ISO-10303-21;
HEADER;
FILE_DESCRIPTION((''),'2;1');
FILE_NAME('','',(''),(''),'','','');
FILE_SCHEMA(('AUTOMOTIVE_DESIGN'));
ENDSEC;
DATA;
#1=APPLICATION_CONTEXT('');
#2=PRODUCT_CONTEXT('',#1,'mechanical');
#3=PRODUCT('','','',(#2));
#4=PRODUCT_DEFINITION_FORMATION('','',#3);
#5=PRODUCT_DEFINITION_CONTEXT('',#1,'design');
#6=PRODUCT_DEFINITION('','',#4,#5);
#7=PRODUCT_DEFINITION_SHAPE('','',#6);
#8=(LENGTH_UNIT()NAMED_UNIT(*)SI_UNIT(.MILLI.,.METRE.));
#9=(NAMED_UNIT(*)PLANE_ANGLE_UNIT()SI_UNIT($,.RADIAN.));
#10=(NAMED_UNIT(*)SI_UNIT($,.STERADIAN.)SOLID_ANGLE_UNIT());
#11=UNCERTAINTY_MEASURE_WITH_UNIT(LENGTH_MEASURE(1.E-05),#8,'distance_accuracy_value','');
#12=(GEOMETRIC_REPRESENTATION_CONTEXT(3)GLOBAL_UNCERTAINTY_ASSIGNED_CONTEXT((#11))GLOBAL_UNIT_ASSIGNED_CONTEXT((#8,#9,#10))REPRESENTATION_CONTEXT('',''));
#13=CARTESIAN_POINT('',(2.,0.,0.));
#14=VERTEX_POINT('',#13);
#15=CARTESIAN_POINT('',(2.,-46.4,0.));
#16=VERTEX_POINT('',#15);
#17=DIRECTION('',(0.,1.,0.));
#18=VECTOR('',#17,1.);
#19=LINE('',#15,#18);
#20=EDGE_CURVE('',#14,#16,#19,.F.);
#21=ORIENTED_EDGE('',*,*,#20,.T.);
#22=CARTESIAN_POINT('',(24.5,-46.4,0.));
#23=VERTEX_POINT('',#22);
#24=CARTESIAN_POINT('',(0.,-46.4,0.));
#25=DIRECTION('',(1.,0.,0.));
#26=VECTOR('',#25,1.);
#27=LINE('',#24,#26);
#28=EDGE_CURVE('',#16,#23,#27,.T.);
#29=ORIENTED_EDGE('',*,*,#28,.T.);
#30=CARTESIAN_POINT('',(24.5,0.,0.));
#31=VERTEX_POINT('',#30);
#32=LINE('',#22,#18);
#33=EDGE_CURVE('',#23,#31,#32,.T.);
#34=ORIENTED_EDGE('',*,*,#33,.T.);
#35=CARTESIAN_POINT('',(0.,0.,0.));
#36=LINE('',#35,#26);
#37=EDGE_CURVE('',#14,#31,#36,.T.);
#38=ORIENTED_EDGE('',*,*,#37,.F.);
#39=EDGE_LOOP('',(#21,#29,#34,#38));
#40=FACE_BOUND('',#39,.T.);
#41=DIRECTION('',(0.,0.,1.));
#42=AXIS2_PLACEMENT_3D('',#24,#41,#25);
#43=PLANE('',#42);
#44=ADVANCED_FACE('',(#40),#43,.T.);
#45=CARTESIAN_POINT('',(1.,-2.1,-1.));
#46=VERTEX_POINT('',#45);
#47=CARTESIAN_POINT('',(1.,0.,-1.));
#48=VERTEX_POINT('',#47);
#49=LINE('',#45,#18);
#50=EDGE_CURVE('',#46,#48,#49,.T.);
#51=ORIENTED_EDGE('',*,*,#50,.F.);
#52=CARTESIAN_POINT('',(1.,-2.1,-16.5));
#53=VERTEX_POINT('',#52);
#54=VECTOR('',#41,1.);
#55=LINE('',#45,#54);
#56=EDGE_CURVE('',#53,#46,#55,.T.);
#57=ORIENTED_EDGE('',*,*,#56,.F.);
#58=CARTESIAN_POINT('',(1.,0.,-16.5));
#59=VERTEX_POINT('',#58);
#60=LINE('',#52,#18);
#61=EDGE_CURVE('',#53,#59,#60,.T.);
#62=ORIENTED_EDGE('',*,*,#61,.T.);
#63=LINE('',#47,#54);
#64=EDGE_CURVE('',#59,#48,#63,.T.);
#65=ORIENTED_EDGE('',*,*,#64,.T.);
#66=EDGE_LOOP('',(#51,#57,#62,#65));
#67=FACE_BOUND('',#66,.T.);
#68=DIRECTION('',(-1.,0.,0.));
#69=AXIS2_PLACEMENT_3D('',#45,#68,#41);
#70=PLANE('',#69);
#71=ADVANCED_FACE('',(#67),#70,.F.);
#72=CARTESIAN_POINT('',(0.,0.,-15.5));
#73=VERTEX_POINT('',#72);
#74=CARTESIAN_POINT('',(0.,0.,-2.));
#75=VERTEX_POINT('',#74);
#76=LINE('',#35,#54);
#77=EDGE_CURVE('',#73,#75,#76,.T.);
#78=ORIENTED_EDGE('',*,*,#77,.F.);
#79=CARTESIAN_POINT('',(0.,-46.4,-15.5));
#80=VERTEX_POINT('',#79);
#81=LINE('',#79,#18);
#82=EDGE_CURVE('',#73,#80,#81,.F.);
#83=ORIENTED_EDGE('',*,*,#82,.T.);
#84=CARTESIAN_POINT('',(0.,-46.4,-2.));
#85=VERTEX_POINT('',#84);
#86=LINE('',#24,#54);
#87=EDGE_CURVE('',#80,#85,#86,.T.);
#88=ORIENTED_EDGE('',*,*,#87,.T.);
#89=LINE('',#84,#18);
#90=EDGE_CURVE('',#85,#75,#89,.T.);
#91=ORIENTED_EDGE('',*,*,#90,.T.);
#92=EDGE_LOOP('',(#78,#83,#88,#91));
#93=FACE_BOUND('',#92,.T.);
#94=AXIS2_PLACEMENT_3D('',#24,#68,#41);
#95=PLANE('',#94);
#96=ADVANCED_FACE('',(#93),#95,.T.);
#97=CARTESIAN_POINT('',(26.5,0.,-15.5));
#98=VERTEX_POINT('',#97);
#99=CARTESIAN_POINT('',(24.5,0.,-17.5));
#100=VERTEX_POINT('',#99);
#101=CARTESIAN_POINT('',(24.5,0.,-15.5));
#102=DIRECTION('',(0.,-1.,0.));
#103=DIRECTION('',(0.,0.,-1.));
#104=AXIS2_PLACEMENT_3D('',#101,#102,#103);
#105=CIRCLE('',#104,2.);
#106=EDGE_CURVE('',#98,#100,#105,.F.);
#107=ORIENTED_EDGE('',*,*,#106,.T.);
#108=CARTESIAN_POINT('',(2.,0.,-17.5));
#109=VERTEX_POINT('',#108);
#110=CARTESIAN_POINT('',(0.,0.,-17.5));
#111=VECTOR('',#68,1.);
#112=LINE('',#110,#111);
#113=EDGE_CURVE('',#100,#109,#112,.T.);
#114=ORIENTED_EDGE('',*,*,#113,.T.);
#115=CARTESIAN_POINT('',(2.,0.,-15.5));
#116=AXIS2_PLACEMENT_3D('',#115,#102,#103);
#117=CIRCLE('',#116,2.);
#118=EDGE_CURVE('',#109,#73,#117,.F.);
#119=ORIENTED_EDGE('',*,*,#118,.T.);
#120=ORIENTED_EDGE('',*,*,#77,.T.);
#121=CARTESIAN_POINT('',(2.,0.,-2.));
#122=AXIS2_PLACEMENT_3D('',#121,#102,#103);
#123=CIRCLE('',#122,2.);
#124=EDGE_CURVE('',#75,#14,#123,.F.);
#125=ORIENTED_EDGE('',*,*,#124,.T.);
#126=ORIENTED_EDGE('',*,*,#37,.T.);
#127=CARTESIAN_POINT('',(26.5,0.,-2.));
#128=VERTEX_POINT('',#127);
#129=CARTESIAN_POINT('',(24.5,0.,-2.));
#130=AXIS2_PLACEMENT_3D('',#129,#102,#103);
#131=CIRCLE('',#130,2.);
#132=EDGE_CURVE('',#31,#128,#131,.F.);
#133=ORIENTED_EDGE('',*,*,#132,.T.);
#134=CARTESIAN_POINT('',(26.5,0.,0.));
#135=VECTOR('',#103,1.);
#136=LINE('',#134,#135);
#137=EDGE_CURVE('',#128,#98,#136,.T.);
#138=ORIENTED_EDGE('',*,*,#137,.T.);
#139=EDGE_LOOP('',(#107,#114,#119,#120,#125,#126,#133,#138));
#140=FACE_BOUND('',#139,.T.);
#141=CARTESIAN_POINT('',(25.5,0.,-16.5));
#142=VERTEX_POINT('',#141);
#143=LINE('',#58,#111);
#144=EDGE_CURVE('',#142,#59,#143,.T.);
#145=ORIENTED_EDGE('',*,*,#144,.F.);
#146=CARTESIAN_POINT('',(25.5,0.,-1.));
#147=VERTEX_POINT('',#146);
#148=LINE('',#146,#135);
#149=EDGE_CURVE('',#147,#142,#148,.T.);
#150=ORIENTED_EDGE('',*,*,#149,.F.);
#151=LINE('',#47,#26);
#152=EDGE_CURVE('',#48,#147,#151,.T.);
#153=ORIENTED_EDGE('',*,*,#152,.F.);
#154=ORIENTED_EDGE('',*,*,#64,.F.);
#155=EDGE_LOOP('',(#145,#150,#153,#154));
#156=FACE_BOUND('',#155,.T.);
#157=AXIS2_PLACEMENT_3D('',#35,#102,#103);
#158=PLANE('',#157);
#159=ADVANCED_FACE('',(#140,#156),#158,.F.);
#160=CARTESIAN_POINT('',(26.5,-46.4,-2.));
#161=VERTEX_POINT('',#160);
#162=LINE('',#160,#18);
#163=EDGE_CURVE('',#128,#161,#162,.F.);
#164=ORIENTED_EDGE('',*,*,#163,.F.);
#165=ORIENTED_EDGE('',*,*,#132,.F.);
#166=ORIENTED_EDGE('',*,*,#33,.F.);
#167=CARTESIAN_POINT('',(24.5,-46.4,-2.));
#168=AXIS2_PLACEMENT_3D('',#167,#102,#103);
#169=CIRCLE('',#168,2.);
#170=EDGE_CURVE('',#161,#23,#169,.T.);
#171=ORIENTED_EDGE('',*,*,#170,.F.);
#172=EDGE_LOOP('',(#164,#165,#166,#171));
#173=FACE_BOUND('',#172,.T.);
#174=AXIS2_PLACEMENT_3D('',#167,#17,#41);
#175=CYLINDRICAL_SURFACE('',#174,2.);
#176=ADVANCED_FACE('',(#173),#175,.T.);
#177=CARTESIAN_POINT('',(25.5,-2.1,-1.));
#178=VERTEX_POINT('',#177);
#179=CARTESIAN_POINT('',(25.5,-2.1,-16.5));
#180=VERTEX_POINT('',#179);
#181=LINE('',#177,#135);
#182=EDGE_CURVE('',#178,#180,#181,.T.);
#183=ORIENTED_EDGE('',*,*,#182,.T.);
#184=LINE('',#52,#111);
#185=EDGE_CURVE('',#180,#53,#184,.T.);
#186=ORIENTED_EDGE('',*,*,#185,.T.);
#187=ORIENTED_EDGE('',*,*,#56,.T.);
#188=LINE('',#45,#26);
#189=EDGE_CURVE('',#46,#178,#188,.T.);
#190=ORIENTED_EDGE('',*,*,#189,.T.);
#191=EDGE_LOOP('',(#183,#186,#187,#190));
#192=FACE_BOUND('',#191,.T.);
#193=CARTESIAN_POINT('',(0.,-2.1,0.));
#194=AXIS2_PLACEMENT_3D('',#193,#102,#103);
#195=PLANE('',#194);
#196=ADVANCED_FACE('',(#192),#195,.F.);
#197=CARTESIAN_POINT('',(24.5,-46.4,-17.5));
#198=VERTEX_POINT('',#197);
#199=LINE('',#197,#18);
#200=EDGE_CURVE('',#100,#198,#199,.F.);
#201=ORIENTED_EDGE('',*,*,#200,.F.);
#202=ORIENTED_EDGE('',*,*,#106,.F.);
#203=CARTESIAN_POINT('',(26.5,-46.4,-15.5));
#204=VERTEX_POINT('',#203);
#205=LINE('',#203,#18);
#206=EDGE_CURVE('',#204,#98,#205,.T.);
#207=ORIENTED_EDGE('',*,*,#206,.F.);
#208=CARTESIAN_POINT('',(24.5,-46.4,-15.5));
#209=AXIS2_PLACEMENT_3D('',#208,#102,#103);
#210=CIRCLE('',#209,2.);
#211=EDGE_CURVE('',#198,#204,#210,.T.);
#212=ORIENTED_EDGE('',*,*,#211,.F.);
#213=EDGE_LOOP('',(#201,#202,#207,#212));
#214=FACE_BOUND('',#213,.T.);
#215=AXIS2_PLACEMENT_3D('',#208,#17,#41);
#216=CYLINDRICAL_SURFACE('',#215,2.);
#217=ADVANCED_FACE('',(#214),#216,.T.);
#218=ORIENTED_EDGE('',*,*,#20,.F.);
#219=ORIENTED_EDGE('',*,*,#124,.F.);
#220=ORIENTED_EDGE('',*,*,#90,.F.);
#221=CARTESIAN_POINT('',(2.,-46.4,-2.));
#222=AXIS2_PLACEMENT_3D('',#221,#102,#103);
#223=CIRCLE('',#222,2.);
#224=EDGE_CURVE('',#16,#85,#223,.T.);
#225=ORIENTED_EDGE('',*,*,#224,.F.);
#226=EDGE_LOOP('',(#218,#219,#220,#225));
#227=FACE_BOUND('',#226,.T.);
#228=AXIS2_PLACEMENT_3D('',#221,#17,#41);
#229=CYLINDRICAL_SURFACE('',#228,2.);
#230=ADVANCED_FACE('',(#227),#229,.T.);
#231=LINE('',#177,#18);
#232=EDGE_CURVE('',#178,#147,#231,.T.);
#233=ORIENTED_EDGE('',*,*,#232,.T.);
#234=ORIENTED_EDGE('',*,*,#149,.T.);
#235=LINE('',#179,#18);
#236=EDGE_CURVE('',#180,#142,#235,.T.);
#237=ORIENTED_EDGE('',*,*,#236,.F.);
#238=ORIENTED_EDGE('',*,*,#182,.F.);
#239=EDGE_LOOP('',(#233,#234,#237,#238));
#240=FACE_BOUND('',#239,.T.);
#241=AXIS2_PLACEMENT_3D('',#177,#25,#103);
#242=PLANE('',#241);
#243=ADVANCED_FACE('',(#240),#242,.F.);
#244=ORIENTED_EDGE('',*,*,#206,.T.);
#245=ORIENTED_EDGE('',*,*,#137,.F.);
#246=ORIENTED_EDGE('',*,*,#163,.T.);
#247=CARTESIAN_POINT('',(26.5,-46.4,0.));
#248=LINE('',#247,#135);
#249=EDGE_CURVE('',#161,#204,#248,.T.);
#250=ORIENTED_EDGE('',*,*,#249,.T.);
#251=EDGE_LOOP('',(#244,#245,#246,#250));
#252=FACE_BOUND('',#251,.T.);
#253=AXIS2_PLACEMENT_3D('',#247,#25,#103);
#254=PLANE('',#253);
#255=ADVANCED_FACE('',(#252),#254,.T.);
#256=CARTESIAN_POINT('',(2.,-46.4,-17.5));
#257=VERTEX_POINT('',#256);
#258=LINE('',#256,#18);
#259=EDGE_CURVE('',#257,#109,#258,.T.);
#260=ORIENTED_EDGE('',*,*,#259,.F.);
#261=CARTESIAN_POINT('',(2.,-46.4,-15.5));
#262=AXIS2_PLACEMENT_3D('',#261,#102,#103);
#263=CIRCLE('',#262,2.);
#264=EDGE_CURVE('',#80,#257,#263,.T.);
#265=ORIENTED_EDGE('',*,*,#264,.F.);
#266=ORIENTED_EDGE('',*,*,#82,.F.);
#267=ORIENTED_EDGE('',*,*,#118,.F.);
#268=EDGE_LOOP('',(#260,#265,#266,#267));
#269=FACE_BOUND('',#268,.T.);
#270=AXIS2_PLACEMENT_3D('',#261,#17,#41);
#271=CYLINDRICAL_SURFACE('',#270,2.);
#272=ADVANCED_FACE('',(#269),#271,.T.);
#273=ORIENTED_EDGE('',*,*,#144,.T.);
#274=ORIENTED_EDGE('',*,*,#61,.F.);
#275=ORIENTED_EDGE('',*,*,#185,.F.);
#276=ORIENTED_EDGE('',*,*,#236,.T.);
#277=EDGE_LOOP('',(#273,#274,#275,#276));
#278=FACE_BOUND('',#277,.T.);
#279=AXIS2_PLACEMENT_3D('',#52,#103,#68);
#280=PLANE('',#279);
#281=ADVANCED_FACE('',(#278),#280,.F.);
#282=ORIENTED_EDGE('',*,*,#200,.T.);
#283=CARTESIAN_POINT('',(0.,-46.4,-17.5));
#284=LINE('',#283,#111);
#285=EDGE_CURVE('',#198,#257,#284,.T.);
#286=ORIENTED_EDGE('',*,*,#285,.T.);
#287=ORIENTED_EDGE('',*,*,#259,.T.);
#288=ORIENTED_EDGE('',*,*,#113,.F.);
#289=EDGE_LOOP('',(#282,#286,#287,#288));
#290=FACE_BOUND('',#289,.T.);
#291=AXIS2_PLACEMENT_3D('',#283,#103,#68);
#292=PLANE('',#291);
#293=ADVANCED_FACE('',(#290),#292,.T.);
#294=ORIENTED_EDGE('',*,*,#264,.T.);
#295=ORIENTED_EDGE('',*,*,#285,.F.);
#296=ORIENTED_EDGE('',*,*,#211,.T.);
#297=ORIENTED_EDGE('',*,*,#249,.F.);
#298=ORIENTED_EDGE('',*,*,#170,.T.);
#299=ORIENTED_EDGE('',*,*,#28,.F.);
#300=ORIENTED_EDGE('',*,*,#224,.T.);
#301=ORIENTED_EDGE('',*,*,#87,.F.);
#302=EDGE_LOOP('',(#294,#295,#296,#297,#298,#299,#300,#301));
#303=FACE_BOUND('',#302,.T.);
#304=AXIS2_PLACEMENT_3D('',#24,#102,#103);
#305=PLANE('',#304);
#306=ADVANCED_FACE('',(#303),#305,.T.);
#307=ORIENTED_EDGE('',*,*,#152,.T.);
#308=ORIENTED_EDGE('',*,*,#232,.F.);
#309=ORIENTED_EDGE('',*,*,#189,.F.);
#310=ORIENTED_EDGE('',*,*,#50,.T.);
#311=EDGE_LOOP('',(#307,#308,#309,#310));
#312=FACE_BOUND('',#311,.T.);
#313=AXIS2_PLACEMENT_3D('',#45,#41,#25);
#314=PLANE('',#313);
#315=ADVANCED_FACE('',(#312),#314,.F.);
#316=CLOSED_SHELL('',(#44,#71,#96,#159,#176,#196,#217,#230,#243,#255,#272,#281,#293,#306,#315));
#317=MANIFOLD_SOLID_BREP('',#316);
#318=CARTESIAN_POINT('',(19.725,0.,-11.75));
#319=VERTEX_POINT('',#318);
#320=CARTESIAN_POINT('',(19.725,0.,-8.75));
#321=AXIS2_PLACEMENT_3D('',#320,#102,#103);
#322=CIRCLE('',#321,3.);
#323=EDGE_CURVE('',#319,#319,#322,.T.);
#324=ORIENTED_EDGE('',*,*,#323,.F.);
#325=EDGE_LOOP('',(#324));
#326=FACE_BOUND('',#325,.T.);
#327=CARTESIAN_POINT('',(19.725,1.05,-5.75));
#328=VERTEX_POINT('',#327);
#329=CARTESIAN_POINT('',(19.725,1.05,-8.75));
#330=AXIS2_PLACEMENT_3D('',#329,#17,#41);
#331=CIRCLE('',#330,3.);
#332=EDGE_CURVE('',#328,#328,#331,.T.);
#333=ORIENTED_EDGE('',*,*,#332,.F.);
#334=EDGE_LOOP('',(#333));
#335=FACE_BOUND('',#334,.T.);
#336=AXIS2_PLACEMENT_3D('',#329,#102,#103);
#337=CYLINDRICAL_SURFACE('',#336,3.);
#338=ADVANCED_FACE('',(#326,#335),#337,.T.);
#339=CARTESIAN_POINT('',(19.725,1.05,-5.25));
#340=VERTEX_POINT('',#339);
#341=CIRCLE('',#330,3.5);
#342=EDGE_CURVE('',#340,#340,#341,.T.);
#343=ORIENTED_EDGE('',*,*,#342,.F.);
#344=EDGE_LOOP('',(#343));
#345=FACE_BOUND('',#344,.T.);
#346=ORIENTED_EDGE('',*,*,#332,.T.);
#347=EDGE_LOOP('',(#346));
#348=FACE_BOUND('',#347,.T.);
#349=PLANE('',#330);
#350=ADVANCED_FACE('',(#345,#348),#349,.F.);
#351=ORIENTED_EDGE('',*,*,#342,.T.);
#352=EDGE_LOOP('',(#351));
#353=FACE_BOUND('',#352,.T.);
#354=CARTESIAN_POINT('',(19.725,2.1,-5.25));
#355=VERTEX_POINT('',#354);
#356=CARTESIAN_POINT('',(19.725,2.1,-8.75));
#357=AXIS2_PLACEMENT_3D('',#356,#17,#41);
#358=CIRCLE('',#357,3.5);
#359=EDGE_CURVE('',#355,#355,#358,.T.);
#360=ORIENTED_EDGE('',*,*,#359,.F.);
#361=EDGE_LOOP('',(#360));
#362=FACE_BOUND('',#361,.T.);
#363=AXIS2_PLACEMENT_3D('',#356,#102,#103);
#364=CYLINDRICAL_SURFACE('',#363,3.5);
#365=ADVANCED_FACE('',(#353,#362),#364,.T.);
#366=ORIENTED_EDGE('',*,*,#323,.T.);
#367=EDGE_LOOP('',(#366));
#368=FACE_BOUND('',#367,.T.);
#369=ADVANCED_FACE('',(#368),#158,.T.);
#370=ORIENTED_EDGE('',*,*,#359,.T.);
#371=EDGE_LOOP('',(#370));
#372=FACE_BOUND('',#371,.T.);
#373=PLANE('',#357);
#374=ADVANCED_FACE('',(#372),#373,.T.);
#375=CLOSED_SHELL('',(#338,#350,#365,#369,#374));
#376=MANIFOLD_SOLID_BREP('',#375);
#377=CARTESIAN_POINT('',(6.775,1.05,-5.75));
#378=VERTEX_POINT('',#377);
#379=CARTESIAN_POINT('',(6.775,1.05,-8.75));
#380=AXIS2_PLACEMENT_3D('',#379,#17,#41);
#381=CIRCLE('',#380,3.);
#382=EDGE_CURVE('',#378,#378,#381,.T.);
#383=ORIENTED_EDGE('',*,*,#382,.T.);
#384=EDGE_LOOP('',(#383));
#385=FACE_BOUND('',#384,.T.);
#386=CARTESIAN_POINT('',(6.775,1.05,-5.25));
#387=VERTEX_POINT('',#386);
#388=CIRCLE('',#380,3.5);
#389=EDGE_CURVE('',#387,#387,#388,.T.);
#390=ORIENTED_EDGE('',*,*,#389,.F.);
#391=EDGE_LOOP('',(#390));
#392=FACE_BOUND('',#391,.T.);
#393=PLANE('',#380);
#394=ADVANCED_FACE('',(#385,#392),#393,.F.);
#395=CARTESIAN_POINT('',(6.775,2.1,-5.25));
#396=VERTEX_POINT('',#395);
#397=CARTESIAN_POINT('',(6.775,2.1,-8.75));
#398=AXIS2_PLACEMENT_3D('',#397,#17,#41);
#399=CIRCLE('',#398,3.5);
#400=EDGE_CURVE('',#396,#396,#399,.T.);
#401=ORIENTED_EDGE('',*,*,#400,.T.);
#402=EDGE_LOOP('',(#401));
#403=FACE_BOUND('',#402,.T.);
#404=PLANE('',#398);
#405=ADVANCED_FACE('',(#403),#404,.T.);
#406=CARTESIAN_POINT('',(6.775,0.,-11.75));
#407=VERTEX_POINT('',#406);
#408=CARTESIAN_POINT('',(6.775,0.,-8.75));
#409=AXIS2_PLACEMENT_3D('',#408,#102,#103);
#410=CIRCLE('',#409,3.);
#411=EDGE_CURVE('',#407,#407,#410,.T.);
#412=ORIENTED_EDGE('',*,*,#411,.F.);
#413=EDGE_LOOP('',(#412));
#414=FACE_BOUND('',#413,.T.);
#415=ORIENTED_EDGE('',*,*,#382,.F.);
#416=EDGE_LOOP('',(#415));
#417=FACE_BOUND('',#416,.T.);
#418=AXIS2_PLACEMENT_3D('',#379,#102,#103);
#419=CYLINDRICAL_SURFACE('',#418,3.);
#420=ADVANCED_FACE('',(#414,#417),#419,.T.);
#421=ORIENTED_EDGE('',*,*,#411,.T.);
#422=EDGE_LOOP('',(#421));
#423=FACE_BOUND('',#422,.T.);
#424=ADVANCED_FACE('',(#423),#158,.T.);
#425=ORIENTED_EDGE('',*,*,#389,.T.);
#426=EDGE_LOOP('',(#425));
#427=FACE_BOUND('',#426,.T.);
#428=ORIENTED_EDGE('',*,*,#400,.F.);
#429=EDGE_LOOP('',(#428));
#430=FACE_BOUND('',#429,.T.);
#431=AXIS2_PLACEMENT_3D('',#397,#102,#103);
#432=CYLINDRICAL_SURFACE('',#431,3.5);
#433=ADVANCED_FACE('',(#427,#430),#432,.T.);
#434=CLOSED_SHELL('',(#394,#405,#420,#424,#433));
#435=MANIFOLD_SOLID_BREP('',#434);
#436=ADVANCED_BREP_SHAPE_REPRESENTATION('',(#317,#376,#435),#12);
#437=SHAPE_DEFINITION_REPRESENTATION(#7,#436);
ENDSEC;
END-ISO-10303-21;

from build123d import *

# Parameters (mm, degrees)
SKETCH2_W           = 26.5
SKETCH2_H           = 17.5
BOSS_EXTRUDE1_DEPTH = 46.4
SKETCH4_R           = 3
BOSS_EXTRUDE5_DEPTH = 1.05
SKETCH5_R           = 3.5
BOSS_EXTRUDE6_DEPTH = 1.05
SKETCH6_R           = 3.5
BOSS_EXTRUDE7_DEPTH = 1.05
SKETCH9_W           = 24.5
SKETCH9_H           = 15.5
CUT_EXTRUDE2_DEPTH  = 2.1
FILLET1_R           = 2
FILLET2_R           = 2
FILLET3_R           = 2
FILLET4_R           = 2


with BuildPart() as part:
    # Sketch2 → Boss-Extrude1 (new body)
    with BuildSketch(Plane(origin=(0, 0, 0), x_dir=(1, 0, 0), z_dir=(0, 1, 0))):
        with Locations((13.25, 8.75)):
            Rectangle(SKETCH2_W, SKETCH2_H)
    extrude(amount=-BOSS_EXTRUDE1_DEPTH)

    # Sketch4 → Boss-Extrude5 (add)
    with BuildSketch(Plane(origin=(0, 0, 0), x_dir=(1, 0, 0), z_dir=(0, 1, 0))):
        with Locations(Location((19.725, 8.75, 0), (0, 0, 90))):
            Circle(SKETCH4_R)
        with Locations(Location((6.775, 8.75, 0), (0, 0, 90))):
            Circle(SKETCH4_R)
    extrude(amount=BOSS_EXTRUDE5_DEPTH)

    # Sketch5 → Boss-Extrude6 (add)
    with BuildSketch(Plane(origin=(0, 1.05, 0), x_dir=(1, 0, 0), z_dir=(0, 1, 0))):
        with Locations(Location((6.775, 8.75, 0), (0, 0, 270))):
            Circle(SKETCH5_R)
    extrude(amount=BOSS_EXTRUDE6_DEPTH)

    # Sketch6 → Boss-Extrude7 (add)
    with BuildSketch(Plane(origin=(0, 1.05, 0), x_dir=(1, 0, 0), z_dir=(0, 1, 0))):
        with Locations(Location((19.725, 8.75, 0), (0, 0, 270))):
            Circle(SKETCH6_R)
    extrude(amount=BOSS_EXTRUDE7_DEPTH)

    # Sketch9 → Cut-Extrude2 (cut)
    with BuildSketch(Plane(origin=(0, 0, 0), x_dir=(1, 0, 0), z_dir=(0, 1, 0))):
        with Locations((13.25, 8.75)):
            Rectangle(SKETCH9_W, SKETCH9_H)
    extrude(amount=-CUT_EXTRUDE2_DEPTH, mode=Mode.SUBTRACT)


with BuildPart() as cut_extrude2_piece_1:
    # of the separate pieces the step leaves, piece 1, a body of its own (cut_extrude2_pieces)
    add(part.part.solids().sort_by_distance((0, 0, 0))[0])

    # Fillet1
    fillet1_edges = [cut_extrude2_piece_1.edges().sort_by_distance(p)[0] for p in [
        (26.5, -23.2, 0),
    ]]
    fillet(fillet1_edges, radius=FILLET1_R)

    # Fillet2
    fillet2_edges = [cut_extrude2_piece_1.edges().sort_by_distance(p)[0] for p in [
        (26.5, -23.2, -17.5),
    ]]
    fillet(fillet2_edges, radius=FILLET2_R)

    # Fillet3
    fillet3_edges = [cut_extrude2_piece_1.edges().sort_by_distance(p)[0] for p in [
        (0, -23.2, -17.5),
    ]]
    fillet(fillet3_edges, radius=FILLET3_R)

    # Fillet4
    fillet4_edges = [cut_extrude2_piece_1.edges().sort_by_distance(p)[0] for p in [
        (0, -23.2, 0),
    ]]
    fillet(fillet4_edges, radius=FILLET4_R)


with BuildPart() as cut_extrude2_piece_2:
    # of the separate pieces the step leaves, piece 2, a body of its own (cut_extrude2_pieces)
    add(part.part.solids().sort_by_distance((6.775, 0, -11.75))[0])


with BuildPart() as cut_extrude2_piece_3:
    # of the separate pieces the step leaves, piece 3, a body of its own (cut_extrude2_pieces)
    add(part.part.solids().sort_by_distance((19.725, 1.05, -5.25))[0])


solid = Compound([cut_extrude2_piece_1.part, cut_extrude2_piece_2.part, cut_extrude2_piece_3.part])
